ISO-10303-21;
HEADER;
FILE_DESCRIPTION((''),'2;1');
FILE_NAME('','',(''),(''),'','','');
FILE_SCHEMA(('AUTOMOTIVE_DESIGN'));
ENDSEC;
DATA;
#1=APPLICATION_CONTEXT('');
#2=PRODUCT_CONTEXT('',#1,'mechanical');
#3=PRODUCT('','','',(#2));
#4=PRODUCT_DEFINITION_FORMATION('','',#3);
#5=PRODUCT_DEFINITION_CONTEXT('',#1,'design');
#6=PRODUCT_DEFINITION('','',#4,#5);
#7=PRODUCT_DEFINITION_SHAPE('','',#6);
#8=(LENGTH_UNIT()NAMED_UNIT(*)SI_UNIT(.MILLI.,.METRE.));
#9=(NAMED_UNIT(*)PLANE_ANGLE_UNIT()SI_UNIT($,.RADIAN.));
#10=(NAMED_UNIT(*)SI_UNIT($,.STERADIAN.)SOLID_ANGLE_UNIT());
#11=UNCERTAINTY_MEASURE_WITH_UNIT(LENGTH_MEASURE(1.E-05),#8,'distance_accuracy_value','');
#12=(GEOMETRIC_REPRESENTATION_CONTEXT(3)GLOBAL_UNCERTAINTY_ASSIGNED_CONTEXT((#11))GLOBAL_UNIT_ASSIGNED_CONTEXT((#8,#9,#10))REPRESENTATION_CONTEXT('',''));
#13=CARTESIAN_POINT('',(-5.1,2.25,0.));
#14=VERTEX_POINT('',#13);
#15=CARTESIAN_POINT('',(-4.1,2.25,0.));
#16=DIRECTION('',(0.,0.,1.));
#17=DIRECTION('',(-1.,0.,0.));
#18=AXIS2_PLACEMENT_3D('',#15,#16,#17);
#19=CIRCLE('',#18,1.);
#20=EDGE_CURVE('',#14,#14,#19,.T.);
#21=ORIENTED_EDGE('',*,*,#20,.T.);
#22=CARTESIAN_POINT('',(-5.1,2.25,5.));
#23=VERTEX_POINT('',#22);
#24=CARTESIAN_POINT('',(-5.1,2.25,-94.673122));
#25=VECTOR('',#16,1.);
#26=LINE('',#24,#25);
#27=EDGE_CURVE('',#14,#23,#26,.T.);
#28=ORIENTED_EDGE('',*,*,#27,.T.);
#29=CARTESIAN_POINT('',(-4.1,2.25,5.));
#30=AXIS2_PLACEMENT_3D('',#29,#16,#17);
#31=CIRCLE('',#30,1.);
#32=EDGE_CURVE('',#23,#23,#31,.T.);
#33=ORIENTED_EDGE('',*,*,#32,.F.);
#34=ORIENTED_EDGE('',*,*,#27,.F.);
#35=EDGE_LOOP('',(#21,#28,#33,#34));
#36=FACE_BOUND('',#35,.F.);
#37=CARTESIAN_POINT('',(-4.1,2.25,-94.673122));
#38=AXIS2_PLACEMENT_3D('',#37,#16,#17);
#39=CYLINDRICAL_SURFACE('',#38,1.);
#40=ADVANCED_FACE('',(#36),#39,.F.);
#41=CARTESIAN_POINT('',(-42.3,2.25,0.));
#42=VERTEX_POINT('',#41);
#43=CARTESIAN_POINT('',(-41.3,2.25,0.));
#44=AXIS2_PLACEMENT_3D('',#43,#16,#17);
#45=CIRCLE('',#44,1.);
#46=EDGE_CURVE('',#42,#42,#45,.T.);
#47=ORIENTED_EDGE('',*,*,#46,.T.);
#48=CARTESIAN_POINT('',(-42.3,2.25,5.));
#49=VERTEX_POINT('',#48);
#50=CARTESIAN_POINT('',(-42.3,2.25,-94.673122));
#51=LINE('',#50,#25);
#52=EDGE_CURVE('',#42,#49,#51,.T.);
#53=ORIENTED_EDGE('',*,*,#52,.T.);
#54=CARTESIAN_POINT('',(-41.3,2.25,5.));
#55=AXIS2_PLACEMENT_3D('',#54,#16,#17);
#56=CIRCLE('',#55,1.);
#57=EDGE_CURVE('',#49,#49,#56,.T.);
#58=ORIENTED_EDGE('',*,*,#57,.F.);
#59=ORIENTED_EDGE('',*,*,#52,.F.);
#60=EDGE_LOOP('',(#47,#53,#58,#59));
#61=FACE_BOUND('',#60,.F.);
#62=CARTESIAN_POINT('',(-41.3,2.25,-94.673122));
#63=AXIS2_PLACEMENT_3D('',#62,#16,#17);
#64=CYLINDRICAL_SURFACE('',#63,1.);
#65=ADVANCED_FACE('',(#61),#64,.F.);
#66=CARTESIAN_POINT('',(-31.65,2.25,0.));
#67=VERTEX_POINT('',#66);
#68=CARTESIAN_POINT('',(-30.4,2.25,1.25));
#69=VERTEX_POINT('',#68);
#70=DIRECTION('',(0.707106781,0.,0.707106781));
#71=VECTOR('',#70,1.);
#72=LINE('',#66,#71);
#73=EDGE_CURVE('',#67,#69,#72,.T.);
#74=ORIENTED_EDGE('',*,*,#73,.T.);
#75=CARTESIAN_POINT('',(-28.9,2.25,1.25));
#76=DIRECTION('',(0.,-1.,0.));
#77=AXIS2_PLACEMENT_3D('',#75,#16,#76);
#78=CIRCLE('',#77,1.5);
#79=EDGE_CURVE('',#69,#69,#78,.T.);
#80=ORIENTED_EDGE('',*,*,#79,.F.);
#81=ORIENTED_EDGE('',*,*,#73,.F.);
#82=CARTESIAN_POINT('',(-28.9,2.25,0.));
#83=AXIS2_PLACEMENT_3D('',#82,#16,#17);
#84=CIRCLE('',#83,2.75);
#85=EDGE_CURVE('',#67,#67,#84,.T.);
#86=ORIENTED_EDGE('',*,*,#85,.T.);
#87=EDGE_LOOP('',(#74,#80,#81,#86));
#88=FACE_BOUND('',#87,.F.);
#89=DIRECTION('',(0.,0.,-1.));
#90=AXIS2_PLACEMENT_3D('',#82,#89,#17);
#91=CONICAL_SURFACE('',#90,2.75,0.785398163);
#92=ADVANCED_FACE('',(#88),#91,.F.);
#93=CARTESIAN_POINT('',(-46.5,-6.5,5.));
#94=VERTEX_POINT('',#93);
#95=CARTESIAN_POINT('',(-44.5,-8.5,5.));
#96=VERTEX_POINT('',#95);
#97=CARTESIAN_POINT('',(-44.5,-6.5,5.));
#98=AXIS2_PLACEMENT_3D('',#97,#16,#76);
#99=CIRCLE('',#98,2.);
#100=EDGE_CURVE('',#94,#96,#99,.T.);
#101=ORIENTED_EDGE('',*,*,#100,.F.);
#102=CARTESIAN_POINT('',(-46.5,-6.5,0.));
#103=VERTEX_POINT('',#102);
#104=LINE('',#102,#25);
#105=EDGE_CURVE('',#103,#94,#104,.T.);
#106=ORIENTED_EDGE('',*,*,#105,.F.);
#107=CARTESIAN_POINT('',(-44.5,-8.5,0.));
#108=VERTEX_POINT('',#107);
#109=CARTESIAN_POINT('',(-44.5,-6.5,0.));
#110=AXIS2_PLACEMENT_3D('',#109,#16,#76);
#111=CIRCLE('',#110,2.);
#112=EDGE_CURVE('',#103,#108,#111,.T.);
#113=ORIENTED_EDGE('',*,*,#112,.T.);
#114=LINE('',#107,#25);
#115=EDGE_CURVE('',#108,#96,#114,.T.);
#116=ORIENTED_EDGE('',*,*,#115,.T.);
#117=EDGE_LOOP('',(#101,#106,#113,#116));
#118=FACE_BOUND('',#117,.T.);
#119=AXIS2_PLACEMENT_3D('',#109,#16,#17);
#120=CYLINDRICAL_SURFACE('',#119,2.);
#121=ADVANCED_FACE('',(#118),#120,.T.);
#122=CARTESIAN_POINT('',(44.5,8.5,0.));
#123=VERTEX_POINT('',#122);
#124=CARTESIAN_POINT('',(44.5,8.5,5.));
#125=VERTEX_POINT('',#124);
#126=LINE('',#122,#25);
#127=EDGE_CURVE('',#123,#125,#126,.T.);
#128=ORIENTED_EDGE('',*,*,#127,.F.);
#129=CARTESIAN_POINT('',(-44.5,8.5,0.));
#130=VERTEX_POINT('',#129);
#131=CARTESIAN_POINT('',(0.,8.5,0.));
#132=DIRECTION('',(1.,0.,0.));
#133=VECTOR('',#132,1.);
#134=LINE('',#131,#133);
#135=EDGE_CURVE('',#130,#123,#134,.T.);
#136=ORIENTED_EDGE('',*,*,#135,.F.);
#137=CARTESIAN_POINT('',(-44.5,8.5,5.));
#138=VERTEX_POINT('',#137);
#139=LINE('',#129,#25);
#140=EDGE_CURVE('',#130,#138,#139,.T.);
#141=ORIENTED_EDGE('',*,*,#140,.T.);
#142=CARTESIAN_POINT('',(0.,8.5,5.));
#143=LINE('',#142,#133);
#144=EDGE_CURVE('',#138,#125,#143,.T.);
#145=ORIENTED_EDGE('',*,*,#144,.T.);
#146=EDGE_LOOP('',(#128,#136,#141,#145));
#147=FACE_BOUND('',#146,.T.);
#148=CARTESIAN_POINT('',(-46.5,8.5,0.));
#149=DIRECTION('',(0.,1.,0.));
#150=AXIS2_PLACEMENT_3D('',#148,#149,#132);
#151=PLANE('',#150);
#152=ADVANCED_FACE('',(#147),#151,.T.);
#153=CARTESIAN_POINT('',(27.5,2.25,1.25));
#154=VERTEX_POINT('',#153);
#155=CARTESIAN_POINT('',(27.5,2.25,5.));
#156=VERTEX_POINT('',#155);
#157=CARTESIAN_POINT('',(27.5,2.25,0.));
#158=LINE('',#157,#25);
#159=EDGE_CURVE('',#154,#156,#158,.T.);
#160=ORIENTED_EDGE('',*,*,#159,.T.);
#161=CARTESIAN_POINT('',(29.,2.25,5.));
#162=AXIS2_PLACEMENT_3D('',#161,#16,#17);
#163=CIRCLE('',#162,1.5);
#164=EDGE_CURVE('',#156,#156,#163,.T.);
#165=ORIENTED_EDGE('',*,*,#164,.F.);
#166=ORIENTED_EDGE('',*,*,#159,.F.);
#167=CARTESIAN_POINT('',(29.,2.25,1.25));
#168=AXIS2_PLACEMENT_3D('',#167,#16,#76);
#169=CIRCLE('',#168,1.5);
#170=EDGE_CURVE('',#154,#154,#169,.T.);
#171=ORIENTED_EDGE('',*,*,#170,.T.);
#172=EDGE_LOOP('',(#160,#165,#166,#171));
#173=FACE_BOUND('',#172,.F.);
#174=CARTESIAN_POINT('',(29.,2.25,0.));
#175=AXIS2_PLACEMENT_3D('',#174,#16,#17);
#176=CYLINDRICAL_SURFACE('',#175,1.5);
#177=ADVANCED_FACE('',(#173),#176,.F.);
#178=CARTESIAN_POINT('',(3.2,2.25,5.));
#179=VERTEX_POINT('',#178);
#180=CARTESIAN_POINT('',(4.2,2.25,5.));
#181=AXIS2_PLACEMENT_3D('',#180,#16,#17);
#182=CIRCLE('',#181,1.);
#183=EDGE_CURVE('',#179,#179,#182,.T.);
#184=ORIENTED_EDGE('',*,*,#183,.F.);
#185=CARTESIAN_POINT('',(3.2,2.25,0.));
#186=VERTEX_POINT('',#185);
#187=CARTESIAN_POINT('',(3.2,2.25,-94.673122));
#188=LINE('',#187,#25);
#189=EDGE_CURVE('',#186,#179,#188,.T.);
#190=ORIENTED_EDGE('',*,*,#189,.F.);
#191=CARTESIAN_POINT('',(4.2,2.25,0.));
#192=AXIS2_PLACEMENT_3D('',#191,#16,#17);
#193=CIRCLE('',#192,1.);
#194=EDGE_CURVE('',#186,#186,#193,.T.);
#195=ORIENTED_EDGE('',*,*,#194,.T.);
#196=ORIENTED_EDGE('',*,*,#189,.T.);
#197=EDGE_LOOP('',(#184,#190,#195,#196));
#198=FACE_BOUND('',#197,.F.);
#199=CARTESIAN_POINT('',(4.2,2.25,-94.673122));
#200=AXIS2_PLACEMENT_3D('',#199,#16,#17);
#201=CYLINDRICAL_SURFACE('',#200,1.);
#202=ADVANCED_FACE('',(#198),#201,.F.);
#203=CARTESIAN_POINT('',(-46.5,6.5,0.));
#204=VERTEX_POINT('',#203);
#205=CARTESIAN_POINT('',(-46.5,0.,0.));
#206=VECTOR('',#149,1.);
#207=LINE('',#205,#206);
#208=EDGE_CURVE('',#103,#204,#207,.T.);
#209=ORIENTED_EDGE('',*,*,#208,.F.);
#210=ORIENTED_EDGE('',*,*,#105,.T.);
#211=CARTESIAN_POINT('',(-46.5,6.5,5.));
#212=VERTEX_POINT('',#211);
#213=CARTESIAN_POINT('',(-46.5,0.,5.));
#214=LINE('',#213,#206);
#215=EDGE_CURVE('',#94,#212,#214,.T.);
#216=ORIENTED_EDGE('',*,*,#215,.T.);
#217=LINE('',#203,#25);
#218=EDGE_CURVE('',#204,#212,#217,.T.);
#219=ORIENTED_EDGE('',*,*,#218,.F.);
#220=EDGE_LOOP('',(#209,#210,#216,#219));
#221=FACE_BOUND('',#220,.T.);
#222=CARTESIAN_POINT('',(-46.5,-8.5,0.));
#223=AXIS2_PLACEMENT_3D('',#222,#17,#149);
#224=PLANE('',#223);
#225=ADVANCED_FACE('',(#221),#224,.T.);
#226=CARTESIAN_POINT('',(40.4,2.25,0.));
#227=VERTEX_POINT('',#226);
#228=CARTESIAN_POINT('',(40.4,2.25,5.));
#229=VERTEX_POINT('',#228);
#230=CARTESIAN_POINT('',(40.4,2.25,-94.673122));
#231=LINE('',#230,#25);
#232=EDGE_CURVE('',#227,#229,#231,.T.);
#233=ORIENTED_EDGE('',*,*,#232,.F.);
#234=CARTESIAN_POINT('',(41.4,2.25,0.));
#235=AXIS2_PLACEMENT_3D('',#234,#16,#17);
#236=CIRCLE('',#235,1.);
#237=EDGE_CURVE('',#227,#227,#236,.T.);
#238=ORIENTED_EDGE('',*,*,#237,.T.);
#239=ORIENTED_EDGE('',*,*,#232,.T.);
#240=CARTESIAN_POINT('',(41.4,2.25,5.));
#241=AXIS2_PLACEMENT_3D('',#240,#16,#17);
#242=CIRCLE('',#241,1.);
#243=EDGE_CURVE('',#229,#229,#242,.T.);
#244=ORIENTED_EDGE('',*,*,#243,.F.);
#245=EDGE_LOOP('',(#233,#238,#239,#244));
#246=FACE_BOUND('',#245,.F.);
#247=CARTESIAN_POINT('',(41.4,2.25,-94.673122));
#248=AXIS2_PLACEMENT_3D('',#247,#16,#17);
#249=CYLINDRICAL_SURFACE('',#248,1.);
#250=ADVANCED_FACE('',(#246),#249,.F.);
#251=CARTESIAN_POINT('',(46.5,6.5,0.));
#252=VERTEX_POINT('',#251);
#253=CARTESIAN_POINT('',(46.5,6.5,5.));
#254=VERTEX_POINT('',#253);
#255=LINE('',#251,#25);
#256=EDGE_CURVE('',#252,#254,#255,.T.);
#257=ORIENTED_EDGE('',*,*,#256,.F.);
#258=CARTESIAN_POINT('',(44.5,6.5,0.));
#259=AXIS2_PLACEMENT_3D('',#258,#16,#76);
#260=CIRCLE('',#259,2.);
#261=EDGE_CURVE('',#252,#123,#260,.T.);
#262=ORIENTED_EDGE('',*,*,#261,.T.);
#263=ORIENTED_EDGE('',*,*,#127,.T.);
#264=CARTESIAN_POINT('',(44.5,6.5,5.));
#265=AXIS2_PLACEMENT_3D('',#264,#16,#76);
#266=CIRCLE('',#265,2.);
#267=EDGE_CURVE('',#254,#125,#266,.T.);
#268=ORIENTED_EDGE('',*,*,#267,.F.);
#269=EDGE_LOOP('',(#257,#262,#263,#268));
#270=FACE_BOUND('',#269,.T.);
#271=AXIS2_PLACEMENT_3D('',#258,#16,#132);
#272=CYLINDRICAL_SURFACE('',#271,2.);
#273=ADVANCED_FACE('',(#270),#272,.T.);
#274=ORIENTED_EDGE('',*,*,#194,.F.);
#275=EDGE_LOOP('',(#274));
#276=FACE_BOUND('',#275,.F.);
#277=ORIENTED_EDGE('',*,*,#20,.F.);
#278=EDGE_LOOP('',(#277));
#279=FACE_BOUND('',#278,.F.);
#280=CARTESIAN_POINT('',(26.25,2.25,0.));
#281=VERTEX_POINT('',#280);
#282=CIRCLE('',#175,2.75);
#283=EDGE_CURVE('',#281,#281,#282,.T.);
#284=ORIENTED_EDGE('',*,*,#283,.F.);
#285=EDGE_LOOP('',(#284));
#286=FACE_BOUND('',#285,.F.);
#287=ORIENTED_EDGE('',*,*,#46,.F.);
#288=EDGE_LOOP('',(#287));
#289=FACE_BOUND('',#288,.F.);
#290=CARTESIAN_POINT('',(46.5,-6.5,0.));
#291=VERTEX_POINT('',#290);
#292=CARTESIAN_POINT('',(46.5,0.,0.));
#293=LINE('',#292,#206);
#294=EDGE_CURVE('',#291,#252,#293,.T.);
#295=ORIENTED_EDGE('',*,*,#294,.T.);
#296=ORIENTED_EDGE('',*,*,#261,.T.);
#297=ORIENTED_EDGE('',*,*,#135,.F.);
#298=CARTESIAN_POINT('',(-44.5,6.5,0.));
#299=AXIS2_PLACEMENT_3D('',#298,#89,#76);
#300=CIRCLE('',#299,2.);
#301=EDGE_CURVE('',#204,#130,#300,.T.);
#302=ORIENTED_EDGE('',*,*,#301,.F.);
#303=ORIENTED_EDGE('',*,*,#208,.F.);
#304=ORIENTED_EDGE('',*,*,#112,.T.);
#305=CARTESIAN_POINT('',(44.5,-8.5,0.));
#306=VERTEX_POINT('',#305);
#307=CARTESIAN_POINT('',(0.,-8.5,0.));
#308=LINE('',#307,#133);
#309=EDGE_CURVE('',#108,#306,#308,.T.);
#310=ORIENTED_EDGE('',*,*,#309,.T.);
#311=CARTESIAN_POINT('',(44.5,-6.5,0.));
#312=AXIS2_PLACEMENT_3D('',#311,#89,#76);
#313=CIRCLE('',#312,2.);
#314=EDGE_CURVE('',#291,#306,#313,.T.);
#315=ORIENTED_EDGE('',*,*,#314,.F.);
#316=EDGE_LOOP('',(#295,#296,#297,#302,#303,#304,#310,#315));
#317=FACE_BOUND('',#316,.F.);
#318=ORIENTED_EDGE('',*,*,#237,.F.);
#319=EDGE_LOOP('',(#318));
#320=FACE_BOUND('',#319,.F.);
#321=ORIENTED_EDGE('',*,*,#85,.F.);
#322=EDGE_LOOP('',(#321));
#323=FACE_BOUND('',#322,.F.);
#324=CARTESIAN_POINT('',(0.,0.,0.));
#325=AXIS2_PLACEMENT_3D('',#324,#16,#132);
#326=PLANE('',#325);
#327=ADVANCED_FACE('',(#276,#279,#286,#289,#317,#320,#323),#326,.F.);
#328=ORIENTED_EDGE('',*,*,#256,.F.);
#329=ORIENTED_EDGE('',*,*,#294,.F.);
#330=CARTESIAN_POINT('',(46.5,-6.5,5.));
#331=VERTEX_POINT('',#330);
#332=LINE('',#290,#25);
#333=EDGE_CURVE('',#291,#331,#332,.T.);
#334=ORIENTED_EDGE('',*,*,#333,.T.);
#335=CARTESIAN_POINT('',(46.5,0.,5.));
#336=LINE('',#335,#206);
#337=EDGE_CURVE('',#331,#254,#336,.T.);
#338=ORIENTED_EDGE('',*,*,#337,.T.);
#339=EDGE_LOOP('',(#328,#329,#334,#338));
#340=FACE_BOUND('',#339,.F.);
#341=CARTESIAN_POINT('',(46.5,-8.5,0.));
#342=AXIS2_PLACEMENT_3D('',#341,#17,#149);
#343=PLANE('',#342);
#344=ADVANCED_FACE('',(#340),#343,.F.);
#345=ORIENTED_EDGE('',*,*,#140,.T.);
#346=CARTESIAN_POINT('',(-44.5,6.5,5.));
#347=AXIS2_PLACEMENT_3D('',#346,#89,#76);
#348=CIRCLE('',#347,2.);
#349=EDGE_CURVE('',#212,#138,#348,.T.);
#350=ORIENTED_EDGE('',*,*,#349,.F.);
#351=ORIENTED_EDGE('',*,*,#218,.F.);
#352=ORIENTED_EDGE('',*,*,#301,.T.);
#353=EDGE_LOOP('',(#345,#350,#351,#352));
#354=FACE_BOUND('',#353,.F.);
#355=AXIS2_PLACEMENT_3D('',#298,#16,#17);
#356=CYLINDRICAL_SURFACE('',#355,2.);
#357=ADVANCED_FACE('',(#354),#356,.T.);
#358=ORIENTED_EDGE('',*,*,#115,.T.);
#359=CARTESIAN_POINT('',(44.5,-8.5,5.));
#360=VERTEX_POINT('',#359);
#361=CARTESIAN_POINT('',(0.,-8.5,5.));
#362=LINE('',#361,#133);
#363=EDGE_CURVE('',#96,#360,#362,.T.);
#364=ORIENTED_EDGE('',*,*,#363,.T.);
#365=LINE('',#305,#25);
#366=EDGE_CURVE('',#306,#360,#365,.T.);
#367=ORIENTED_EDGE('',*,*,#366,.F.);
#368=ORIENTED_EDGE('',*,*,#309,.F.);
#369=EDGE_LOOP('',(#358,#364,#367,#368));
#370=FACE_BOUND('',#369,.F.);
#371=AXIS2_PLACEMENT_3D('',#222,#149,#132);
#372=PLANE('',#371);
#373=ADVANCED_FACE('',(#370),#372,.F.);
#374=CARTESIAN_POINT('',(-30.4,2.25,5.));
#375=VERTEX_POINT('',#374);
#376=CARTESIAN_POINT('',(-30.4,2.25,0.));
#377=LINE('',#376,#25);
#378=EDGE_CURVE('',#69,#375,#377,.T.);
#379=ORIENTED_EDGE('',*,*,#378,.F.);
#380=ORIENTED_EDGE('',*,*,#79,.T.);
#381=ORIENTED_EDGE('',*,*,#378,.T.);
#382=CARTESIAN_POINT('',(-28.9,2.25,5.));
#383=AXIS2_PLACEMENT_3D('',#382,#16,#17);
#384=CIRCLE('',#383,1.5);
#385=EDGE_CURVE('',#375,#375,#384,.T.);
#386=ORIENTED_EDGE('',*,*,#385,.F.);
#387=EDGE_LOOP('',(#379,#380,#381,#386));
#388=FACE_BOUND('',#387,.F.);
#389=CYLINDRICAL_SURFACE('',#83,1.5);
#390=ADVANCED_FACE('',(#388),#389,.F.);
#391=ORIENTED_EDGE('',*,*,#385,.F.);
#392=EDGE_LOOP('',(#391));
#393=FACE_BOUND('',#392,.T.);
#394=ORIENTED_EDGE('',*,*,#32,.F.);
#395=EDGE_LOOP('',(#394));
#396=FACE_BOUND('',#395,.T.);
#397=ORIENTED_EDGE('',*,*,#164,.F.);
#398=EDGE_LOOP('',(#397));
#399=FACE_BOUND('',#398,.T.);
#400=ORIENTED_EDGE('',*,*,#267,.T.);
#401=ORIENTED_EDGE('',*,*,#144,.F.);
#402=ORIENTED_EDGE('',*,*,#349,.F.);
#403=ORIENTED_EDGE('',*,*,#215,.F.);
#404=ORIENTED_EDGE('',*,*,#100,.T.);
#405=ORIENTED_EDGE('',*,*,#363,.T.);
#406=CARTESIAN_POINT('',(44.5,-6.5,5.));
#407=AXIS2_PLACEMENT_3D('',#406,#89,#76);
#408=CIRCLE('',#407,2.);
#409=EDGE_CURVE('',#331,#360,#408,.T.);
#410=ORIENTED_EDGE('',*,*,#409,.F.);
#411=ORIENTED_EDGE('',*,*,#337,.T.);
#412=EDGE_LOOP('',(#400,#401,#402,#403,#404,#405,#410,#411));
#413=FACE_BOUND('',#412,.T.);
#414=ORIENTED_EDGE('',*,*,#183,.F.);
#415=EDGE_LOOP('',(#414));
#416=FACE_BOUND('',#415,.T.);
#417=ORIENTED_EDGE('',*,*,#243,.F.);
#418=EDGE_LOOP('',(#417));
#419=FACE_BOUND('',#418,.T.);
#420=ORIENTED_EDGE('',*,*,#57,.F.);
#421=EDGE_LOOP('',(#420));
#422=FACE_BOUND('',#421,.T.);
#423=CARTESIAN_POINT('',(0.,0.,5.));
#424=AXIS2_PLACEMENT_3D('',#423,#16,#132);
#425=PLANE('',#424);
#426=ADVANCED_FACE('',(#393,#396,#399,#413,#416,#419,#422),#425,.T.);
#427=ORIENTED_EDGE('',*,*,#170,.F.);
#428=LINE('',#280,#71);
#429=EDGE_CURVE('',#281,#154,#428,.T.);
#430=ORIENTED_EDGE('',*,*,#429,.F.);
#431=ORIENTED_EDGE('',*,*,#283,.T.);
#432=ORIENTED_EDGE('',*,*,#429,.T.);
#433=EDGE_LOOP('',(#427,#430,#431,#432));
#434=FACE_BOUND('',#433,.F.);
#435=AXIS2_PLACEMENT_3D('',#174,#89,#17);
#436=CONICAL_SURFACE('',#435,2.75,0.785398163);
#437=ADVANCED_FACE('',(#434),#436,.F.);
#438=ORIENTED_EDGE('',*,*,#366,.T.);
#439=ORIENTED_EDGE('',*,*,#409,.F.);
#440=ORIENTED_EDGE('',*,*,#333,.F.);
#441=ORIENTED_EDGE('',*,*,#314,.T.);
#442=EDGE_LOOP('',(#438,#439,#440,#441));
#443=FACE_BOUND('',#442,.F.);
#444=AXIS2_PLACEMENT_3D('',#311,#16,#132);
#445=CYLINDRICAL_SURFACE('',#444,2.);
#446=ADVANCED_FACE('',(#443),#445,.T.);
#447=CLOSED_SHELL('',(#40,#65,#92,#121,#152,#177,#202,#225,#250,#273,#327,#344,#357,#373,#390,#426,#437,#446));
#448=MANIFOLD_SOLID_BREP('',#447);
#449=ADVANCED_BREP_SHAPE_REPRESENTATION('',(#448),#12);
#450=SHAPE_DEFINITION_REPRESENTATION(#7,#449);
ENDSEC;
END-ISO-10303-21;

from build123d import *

# Parameters (mm, degrees)
F0_W           = 93
F0_H           = 17
F1_DEPTH       = 5
F2_D           = 2
F3_D           = 3
F3_CSINK_D     = 5.5
F3_CSINK_ANGLE = 90
F4_R           = 2


with BuildPart() as f1:
    # F0 (on Top) → F1 (new body)
    with BuildSketch(Plane.XY):
        Rectangle(F0_W, F0_H)
    extrude(amount=F1_DEPTH)

    # F2 (through all)
    with Locations(Plane(origin=(0, 0, 0), x_dir=(1, 0, 0), z_dir=(0, 0, -1))):
        with Locations((-41.3, -2.25), (-4.1, -2.25), (4.2, -2.25), (41.4, -2.25)):
            Hole(F2_D / 2)

    # F3 (through all)
    with Locations(Plane(origin=(0, 0, 0), x_dir=(1, 0, 0), z_dir=(0, 0, -1))):
        with Locations((29, -2.25), (-28.9, -2.25)):
            CounterSinkHole(F3_D / 2, F3_CSINK_D / 2, counter_sink_angle=F3_CSINK_ANGLE)

    # F4
    f4_edges = [f1.edges().sort_by_distance(p)[0] for p in [
        (46.5, 8.5, 2.5),
        (46.5, -8.5, 2.5),
        (-46.5, 8.5, 2.5),
        (-46.5, -8.5, 2.5),
    ]]
    fillet(f4_edges, radius=F4_R)


solid = f1.part
